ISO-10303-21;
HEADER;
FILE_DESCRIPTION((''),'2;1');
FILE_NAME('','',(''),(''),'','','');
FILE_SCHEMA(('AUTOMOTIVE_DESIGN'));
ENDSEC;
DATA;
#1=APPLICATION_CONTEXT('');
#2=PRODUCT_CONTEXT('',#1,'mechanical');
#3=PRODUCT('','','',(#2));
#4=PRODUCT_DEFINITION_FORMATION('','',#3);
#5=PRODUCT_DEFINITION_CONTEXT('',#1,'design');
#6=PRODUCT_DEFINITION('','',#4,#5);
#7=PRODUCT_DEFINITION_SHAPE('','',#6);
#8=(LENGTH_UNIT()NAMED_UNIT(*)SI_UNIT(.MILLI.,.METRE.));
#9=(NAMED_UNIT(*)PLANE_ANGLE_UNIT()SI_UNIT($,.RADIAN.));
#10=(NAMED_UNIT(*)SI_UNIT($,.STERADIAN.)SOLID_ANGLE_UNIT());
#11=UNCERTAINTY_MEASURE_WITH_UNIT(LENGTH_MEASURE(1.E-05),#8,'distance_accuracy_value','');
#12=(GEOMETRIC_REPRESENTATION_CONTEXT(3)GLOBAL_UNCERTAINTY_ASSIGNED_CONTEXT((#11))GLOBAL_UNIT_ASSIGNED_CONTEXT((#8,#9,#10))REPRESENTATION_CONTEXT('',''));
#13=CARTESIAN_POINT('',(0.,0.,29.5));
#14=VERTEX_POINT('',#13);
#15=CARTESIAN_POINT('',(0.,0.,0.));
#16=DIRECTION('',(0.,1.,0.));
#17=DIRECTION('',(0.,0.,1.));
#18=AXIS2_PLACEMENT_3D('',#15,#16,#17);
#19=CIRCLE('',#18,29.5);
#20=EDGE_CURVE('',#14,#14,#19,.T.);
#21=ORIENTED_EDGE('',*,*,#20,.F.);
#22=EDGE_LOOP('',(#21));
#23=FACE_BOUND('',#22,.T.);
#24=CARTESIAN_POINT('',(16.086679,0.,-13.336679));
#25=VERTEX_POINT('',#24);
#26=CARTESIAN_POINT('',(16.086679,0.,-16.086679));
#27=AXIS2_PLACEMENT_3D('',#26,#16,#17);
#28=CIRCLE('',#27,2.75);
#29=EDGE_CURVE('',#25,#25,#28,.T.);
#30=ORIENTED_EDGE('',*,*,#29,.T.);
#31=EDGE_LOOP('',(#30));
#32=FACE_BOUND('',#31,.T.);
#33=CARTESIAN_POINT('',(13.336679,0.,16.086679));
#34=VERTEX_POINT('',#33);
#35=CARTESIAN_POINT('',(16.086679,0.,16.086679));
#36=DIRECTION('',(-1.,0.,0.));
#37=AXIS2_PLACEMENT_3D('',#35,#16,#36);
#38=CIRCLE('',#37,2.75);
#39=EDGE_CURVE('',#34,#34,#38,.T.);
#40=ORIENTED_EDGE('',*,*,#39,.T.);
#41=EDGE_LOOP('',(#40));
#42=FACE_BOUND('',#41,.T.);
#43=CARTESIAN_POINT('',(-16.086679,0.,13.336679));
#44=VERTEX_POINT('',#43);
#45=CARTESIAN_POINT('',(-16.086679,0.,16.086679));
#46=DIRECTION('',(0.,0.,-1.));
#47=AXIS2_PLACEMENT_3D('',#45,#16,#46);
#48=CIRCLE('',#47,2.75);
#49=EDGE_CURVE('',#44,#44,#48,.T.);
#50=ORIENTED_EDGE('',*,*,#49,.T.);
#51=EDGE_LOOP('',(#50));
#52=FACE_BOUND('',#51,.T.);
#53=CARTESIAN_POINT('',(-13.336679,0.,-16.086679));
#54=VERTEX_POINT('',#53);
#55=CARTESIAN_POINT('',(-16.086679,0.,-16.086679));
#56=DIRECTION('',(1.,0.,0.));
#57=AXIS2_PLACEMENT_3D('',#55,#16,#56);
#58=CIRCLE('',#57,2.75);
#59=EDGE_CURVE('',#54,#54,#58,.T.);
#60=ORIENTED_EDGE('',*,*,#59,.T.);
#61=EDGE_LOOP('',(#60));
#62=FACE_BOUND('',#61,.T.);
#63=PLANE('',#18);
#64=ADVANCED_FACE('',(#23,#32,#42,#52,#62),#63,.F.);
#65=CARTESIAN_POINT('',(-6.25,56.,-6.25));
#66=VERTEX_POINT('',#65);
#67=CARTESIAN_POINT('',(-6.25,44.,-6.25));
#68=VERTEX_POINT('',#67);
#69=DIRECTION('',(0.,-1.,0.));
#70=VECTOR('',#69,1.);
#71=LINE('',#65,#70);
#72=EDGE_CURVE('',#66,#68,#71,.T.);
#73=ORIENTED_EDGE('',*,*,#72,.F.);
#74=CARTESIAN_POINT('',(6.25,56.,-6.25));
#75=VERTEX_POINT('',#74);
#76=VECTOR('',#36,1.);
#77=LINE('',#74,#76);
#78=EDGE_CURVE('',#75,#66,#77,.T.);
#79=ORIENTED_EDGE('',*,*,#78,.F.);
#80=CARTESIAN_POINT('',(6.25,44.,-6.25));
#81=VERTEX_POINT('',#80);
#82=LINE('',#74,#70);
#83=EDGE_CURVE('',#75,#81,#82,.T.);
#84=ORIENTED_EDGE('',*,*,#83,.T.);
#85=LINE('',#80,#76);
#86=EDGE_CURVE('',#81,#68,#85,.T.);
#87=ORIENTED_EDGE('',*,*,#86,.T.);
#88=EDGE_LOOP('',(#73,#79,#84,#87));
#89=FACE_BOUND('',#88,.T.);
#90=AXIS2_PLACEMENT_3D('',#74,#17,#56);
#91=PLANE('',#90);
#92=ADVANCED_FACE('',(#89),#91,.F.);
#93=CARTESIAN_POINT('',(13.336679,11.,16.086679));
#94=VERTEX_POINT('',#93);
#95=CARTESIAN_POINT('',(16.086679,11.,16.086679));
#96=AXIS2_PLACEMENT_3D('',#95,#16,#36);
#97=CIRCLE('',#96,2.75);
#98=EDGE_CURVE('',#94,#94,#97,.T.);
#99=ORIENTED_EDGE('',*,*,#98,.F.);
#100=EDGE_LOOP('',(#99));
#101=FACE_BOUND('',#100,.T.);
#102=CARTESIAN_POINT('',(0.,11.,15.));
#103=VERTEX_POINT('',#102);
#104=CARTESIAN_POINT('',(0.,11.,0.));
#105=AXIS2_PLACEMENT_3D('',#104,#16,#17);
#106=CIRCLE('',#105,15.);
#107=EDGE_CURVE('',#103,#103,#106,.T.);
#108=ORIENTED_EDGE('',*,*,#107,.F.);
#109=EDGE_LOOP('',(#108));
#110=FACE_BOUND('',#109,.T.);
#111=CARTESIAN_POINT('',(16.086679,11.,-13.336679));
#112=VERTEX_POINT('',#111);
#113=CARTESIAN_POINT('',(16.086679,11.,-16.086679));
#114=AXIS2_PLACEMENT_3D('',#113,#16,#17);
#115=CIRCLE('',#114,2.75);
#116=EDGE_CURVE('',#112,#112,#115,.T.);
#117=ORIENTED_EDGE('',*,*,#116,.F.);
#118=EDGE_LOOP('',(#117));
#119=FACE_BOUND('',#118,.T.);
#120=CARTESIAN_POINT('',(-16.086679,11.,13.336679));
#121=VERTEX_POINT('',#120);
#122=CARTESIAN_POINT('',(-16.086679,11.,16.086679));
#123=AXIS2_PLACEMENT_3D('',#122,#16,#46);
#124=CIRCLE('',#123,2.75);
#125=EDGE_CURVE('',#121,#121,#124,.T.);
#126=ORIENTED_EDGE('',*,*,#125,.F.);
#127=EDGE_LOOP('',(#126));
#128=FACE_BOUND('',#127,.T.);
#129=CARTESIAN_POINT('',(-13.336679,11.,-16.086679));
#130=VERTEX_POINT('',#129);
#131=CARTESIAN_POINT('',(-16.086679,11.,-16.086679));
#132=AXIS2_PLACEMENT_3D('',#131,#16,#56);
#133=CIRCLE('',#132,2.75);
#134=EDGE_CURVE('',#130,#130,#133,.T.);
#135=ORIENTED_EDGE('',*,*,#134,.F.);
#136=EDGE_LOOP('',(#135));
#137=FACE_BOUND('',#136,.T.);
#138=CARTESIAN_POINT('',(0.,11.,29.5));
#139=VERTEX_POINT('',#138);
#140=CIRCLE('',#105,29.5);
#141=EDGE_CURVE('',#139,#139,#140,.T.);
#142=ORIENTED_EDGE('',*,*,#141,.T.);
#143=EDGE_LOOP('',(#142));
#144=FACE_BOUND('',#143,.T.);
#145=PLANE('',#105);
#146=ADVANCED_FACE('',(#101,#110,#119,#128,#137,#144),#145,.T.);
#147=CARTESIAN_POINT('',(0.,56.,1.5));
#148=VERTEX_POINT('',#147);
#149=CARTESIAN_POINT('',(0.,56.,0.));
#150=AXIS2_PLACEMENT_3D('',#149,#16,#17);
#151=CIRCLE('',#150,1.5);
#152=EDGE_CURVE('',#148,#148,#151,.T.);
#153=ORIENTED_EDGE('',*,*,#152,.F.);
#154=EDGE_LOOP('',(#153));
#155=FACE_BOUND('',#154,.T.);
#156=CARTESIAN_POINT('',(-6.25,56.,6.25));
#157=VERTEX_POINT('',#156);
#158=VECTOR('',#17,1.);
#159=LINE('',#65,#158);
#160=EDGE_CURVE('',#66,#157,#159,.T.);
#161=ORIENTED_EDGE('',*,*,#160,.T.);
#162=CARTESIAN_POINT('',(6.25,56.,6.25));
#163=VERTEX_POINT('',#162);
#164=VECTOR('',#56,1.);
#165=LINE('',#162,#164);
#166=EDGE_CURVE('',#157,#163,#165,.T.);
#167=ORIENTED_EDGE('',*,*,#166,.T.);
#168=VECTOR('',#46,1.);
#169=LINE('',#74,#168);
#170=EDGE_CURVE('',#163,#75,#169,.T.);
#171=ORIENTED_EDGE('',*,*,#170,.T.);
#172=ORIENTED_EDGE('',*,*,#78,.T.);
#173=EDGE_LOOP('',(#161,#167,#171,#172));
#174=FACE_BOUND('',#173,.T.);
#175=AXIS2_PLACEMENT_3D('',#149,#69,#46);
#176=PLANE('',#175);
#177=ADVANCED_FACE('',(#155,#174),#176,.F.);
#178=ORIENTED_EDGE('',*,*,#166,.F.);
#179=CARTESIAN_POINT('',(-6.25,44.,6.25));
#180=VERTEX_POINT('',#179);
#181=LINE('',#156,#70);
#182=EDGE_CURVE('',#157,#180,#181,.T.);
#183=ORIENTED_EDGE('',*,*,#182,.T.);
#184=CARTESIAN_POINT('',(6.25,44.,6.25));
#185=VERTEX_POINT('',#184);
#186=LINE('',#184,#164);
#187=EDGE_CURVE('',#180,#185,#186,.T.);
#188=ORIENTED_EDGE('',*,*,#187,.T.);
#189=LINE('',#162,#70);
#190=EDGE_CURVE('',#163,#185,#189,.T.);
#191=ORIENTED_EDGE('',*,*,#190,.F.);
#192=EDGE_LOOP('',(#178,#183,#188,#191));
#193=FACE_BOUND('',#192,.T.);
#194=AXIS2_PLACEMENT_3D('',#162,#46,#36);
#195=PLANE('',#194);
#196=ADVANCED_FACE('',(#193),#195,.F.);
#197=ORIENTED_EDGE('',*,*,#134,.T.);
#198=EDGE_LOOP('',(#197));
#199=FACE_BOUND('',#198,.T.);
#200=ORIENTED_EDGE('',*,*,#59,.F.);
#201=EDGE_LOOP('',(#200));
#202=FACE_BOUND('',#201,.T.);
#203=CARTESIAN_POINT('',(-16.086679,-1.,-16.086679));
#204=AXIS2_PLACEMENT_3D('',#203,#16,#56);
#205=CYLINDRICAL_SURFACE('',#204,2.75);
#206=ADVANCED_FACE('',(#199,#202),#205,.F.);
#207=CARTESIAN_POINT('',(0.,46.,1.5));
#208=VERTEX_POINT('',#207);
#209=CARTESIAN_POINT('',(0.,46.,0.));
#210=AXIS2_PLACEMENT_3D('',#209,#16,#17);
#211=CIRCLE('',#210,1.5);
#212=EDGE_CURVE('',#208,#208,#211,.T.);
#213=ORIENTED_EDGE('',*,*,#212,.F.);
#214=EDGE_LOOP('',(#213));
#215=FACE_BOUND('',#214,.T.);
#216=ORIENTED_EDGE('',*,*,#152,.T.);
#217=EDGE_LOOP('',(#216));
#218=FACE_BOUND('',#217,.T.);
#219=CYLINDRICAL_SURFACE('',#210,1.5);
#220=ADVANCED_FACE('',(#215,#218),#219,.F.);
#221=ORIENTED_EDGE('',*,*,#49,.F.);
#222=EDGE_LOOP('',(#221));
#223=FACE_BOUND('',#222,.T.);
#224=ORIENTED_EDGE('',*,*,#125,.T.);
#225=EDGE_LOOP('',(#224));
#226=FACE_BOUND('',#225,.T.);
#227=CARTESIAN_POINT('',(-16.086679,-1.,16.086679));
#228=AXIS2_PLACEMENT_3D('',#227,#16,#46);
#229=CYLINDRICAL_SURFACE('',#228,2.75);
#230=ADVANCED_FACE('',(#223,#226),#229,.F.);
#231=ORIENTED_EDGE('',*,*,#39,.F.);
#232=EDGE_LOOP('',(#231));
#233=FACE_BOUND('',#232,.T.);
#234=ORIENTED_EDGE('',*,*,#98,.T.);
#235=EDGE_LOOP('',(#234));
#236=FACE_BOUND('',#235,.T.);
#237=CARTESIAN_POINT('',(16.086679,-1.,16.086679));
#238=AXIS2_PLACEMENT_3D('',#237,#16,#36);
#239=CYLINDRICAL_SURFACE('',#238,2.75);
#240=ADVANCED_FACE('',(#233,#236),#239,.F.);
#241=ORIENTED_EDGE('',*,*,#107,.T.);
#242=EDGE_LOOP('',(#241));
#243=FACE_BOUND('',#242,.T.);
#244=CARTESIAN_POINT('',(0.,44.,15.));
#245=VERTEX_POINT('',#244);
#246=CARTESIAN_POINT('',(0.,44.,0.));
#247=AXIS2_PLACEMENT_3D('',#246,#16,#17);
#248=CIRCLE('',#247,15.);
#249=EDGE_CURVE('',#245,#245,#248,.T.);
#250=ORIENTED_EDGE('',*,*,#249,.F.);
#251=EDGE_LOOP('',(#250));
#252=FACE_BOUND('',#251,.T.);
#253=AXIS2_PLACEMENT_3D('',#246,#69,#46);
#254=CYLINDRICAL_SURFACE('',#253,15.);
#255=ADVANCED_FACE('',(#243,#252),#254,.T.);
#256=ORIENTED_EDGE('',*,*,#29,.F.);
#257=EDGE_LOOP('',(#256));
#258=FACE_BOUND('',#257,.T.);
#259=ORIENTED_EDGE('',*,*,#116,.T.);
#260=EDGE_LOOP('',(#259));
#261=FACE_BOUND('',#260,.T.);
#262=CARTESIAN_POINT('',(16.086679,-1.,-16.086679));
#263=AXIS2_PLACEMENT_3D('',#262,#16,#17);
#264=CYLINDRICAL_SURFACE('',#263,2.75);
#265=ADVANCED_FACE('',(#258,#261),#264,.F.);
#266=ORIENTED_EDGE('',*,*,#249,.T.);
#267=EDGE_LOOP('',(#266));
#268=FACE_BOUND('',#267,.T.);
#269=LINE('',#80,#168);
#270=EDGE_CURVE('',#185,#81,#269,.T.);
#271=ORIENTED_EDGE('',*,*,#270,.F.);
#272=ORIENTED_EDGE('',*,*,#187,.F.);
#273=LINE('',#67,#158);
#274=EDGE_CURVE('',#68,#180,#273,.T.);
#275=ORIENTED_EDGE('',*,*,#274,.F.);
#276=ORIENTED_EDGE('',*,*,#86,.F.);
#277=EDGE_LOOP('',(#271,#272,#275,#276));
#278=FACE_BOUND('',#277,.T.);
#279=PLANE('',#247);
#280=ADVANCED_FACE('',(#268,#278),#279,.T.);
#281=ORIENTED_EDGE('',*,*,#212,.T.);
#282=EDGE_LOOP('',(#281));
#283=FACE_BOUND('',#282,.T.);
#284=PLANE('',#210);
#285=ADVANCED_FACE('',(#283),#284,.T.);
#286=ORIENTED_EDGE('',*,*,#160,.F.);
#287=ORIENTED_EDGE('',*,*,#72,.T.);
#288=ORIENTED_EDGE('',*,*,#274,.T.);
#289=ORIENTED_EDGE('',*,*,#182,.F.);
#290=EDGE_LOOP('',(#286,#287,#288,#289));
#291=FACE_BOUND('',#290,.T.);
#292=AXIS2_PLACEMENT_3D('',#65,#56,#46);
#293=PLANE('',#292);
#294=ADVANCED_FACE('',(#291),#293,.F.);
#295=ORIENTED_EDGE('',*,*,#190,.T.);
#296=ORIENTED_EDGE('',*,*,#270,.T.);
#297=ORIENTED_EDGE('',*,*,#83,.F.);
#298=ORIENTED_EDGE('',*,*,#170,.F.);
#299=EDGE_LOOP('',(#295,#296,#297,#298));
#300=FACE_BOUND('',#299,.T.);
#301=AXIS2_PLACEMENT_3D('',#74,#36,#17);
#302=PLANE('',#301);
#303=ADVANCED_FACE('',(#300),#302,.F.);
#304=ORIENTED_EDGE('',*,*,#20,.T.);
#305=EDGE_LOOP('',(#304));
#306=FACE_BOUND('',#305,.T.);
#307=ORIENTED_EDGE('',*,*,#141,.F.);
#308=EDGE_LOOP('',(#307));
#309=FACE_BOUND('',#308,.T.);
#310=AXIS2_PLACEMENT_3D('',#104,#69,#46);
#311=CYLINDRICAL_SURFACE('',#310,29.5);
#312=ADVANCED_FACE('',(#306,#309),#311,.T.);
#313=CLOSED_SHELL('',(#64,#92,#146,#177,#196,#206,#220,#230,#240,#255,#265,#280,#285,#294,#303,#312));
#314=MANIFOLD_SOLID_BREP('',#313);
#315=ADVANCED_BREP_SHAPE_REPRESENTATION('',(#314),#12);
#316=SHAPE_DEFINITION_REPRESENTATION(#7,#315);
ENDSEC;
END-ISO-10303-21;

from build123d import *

# Parameters (mm, degrees)
SKETCH_1_R               = 29.5
EXTRUDE_1_DEPTH          = 11
SKETCH_2_R               = 15
EXTRUDE_2_DEPTH          = 33
SKETCH_3_W               = 12.5
SKETCH_3_H               = 12.5
EXTRUDE_3_DEPTH          = 12
SKETCH_4_R               = 2.75
CUT_EXTRUDE_1_DEPTH      = 12
PATTERN_CIRCULAR_1_COUNT = 4
SKETCH_5_R               = 1.5
CUT_EXTRUDE_2_DEPTH      = 10


with BuildPart() as part:
    # 草图1 → 凸台-拉伸1 (new body)
    with BuildSketch(Plane(origin=(0, 0, 0), x_dir=(1, 0, 0), z_dir=(0, 1, 0))):
        Circle(SKETCH_1_R)
    extrude(amount=EXTRUDE_1_DEPTH)

    # 草图2 → 凸台-拉伸2 (add)
    with BuildSketch(Plane(origin=(0, 11, 0), x_dir=(1, 0, 0), z_dir=(0, 1, 0))):
        Circle(SKETCH_2_R)
    extrude(amount=EXTRUDE_2_DEPTH)

    # 草图3 → 凸台-拉伸3 (add)
    with BuildSketch(Plane(origin=(0, 44, 0), x_dir=(1, 0, 0), z_dir=(0, 1, 0))):
        Rectangle(SKETCH_3_W, SKETCH_3_H)
    extrude(amount=EXTRUDE_3_DEPTH)

    # 草图4 → 切除-拉伸1 (cut)
    with BuildSketch(Plane(origin=(0, 11, 0), x_dir=(1, 0, 0), z_dir=(0, 1, 0))):
        with Locations((16.086679272, 16.086679272)):
            Circle(SKETCH_4_R)
    cut_extrude_1 = extrude(amount=-CUT_EXTRUDE_1_DEPTH, mode=Mode.SUBTRACT)

    # 阵列(圆周)1: 切除-拉伸1 ×4 about axis
    pattern_circular_1_axis = Axis((0, 0, 0), (0, 1, 0))
    for i in range(1, PATTERN_CIRCULAR_1_COUNT):
        add(cut_extrude_1.rotate(pattern_circular_1_axis, i * 360 / PATTERN_CIRCULAR_1_COUNT), mode=Mode.SUBTRACT)

    # 草图5 → 切除-拉伸2 (cut)
    with BuildSketch(Plane(origin=(0, 56, 0), x_dir=(1, 0, 0), z_dir=(0, 1, 0))):
        Circle(SKETCH_5_R)
    extrude(amount=-CUT_EXTRUDE_2_DEPTH, mode=Mode.SUBTRACT)


solid = part.part
